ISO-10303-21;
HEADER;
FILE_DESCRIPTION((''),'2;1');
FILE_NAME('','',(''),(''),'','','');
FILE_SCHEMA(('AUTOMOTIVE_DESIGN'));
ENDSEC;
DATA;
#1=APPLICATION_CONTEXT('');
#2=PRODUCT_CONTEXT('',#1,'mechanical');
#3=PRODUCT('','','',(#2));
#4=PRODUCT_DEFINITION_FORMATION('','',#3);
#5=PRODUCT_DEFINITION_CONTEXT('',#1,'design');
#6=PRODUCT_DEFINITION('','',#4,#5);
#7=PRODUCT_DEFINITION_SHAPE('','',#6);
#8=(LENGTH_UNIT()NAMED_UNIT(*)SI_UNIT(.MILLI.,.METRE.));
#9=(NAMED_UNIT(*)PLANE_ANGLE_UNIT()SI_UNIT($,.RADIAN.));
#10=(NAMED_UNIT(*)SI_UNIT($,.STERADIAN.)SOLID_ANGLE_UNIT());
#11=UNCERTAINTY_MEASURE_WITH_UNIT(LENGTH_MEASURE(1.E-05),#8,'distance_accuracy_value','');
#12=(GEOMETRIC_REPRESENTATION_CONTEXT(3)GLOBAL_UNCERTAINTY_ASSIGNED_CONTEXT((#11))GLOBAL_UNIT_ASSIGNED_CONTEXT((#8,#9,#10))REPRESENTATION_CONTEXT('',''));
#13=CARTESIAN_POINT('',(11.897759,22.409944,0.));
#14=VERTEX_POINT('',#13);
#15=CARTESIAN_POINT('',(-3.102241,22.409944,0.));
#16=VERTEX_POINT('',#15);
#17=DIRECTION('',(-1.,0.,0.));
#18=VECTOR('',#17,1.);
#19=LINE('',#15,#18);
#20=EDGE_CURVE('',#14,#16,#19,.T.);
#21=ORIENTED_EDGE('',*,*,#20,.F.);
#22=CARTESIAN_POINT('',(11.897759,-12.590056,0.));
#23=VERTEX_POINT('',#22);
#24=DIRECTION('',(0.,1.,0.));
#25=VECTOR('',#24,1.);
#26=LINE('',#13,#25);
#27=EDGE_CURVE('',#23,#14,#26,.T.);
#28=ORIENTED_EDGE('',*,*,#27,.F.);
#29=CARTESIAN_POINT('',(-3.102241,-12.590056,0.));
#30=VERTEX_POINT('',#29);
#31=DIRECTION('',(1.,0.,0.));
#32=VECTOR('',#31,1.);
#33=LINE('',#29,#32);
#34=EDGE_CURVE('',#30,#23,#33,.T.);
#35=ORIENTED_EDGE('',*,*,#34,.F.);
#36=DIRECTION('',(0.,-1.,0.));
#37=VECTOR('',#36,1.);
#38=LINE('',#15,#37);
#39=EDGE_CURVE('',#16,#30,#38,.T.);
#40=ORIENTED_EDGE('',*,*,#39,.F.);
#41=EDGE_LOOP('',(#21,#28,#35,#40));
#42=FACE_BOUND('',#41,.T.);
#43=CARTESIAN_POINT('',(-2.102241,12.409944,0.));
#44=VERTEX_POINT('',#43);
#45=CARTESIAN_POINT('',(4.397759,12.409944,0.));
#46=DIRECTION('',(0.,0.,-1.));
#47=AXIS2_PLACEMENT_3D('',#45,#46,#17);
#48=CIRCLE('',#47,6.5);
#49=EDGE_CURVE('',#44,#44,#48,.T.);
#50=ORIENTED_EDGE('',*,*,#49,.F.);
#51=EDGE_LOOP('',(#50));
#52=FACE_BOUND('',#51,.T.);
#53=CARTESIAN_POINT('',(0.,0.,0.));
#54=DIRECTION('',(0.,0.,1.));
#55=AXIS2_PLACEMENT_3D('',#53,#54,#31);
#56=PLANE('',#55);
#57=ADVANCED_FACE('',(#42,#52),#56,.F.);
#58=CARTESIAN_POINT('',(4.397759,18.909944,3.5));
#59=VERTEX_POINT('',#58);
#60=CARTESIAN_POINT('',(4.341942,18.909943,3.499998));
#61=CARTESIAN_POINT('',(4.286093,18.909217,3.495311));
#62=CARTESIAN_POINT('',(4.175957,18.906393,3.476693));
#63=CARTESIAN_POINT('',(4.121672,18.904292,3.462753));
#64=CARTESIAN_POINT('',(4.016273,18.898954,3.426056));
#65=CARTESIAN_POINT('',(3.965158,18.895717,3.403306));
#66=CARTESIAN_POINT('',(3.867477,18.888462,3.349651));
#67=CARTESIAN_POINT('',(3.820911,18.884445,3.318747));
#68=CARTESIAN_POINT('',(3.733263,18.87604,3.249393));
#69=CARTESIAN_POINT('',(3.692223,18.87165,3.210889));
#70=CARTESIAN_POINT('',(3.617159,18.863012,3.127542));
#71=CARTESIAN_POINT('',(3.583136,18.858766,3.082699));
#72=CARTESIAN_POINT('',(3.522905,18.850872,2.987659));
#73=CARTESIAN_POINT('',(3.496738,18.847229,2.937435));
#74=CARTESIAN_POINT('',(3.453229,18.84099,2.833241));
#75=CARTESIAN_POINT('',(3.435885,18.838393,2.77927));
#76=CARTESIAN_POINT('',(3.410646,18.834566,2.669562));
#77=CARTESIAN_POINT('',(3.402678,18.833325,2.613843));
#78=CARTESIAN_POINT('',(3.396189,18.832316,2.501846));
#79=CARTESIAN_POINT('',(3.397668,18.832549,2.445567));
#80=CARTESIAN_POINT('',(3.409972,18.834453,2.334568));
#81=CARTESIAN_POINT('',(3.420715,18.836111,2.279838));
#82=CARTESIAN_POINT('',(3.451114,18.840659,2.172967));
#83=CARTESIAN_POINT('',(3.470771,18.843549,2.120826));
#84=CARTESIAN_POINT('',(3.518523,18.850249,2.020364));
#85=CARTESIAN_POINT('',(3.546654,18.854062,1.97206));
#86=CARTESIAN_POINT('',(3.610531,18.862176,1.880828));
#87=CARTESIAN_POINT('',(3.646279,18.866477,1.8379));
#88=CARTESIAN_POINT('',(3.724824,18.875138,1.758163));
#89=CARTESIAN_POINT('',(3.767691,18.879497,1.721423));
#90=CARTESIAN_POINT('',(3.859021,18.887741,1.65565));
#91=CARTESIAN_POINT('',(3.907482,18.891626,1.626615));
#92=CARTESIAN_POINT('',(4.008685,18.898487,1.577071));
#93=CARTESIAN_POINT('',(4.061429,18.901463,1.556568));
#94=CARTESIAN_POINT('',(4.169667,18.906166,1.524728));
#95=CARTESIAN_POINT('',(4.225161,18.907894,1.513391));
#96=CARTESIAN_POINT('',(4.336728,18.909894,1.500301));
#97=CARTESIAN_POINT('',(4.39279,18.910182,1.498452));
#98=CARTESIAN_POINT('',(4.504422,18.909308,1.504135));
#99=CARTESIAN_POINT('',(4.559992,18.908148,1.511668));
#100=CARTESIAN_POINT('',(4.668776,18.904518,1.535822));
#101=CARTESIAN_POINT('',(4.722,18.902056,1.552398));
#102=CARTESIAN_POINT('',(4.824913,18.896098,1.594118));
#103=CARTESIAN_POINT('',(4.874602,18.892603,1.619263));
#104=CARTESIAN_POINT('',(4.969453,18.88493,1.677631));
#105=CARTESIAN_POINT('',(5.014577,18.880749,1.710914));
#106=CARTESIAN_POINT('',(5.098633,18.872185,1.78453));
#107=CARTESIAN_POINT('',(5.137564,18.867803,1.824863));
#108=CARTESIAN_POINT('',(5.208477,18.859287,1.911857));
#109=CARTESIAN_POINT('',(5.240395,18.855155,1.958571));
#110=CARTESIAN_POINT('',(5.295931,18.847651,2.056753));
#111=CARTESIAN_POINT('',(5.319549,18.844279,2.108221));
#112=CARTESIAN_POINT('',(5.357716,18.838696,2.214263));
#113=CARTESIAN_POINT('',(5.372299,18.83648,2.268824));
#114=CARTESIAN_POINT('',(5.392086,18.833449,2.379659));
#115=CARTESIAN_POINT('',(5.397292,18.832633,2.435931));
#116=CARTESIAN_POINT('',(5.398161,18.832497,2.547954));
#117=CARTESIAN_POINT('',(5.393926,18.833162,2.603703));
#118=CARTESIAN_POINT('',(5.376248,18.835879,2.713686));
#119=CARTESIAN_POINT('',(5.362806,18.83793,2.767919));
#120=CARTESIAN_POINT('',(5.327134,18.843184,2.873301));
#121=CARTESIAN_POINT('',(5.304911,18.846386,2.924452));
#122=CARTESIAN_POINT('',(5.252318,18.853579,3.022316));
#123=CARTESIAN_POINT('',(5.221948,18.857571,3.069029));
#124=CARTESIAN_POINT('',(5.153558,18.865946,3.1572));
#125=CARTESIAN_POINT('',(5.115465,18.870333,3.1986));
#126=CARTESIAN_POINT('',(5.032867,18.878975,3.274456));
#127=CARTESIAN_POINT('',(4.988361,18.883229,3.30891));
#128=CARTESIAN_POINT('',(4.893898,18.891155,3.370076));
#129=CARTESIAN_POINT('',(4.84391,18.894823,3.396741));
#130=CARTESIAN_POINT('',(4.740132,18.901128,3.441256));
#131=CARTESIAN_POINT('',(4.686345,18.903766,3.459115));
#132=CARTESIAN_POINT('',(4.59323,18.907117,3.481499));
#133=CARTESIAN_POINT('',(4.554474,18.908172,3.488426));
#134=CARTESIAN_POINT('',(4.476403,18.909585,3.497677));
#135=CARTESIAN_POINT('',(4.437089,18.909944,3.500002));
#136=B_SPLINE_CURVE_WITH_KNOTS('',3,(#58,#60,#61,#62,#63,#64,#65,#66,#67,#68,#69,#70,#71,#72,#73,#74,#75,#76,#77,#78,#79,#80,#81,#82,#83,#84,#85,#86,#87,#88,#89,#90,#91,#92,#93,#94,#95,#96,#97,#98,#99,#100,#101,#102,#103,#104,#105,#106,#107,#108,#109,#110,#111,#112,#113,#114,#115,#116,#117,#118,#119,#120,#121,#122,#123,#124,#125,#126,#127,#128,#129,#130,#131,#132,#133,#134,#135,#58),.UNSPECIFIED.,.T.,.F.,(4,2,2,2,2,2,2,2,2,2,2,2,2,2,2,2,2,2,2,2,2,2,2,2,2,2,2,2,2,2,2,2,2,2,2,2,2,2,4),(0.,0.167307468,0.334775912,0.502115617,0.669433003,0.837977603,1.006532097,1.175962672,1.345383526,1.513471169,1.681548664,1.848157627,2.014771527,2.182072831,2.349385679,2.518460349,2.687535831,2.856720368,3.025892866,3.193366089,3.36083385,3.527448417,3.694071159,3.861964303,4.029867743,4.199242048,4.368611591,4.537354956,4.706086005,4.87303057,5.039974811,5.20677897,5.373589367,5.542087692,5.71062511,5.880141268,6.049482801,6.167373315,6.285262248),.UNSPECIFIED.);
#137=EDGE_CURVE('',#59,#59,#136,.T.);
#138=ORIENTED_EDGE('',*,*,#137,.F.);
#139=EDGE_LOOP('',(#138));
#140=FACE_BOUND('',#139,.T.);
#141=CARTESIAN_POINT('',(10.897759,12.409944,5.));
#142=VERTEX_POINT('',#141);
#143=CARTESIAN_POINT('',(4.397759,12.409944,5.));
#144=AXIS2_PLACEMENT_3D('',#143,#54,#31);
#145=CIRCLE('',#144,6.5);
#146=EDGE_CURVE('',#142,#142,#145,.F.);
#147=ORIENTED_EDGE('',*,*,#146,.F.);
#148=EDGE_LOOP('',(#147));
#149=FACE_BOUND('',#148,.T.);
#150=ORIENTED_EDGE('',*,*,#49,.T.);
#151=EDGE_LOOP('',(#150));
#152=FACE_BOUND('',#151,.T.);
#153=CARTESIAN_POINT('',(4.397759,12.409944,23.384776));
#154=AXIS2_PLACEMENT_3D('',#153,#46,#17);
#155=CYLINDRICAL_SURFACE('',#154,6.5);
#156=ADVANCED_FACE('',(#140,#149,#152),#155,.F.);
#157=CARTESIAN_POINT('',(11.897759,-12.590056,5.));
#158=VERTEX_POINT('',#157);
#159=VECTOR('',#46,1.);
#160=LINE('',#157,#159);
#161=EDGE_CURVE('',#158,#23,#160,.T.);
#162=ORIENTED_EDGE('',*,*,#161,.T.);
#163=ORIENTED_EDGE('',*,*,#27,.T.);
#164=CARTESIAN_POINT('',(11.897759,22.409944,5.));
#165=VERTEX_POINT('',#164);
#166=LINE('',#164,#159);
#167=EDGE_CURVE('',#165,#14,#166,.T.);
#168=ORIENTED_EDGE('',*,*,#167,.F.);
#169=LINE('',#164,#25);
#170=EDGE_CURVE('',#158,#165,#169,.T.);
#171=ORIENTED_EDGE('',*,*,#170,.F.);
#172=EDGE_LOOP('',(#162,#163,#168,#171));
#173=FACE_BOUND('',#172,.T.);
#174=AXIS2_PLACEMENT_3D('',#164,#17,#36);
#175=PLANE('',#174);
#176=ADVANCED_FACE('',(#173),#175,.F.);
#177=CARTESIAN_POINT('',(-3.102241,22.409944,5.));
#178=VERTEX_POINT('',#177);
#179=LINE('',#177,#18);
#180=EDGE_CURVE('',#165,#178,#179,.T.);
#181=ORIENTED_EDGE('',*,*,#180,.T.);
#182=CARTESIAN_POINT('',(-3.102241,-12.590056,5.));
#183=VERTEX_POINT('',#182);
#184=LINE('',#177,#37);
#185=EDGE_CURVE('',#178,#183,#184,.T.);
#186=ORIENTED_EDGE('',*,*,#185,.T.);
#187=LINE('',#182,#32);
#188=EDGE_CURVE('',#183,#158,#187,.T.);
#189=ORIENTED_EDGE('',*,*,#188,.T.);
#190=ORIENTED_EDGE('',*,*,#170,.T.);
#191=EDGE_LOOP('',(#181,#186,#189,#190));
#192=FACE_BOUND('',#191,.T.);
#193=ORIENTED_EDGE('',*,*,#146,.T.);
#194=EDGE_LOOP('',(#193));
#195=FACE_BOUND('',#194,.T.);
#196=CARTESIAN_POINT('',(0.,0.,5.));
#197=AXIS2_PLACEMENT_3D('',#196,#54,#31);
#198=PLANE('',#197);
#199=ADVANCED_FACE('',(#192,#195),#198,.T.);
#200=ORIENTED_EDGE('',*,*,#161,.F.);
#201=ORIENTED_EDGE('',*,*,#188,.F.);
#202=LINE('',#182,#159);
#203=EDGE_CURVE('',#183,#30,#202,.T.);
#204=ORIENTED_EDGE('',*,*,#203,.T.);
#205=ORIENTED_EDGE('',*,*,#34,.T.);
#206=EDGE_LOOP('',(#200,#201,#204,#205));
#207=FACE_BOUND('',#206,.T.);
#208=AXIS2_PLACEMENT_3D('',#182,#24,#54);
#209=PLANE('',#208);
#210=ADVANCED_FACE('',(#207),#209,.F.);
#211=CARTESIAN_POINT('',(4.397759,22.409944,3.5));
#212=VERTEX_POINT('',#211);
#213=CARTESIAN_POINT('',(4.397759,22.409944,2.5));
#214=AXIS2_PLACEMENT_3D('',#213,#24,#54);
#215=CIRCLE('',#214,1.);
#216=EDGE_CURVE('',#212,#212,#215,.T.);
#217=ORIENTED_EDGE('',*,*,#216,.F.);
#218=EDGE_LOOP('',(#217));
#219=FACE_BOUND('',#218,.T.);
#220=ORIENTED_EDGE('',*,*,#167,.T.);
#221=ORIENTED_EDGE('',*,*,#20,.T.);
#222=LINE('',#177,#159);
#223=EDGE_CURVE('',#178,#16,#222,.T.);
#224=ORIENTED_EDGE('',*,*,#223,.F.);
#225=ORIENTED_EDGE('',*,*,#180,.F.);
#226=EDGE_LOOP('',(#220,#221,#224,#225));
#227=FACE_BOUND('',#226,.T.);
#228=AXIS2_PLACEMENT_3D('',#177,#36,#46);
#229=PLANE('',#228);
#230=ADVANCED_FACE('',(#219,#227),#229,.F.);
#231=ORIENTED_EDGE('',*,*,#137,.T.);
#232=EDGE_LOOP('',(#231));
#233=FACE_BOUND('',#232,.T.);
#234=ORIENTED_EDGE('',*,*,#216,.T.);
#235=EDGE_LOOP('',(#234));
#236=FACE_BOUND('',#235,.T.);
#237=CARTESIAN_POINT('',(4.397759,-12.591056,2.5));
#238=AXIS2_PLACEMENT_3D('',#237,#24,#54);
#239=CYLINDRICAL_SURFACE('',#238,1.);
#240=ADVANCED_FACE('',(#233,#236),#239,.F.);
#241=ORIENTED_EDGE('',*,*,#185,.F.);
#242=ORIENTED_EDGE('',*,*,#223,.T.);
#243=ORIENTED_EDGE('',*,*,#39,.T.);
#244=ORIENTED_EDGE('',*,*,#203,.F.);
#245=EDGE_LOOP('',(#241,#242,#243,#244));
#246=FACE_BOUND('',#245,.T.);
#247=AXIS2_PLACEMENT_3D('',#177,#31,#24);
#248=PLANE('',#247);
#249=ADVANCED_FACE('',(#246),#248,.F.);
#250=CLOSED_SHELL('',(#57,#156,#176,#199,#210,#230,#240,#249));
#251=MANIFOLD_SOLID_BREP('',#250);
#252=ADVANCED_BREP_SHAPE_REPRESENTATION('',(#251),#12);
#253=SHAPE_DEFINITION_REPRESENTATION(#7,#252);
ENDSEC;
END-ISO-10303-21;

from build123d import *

# Parameters (mm, degrees)
SKETCH1_W           = 15
SKETCH1_H           = 35
BOSS_EXTRUDE1_DEPTH = 5
SKETCH2_R           = 6.5
CUT_EXTRUDE1_DEPTH  = 5
CUT_EXTRUDE2_REACH  = 37
SKETCH3_R           = 1


with BuildPart() as part:
    # Sketch1 → Boss-Extrude1 (new body)
    with BuildSketch(Plane.XY):
        with Locations((4.397758993, 4.909943839)):
            Rectangle(SKETCH1_W, SKETCH1_H)
    extrude(amount=BOSS_EXTRUDE1_DEPTH)

    # Sketch2 → Cut-Extrude1 (cut)
    with BuildSketch(Plane(origin=(0, 0, 0), x_dir=(-1, 0, 0), z_dir=(0, 0, -1))):
        with Locations((-4.397758993, 12.409943839)):
            Circle(SKETCH2_R)
    extrude(amount=-CUT_EXTRUDE1_DEPTH, mode=Mode.SUBTRACT)

    # Sketch3 → Cut-Extrude2 (cut, up to next)
    with BuildSketch(Plane(origin=(0, 22.409943839, 0), x_dir=(1, 0, 0), z_dir=(0, 1, 0)), mode=Mode.PRIVATE) as cut_extrude2_sk1:
        with Locations((4.397758993, -2.5)):
            Circle(SKETCH3_R)
    cut_extrude2_tool1 = extrude(cut_extrude2_sk1.sketch, amount=-CUT_EXTRUDE2_REACH, mode=Mode.PRIVATE) & part.part
    add(cut_extrude2_tool1.solids().sort_by_distance((4.397759, 22.409944, 2.5))[0], mode=Mode.SUBTRACT)


solid = part.part
